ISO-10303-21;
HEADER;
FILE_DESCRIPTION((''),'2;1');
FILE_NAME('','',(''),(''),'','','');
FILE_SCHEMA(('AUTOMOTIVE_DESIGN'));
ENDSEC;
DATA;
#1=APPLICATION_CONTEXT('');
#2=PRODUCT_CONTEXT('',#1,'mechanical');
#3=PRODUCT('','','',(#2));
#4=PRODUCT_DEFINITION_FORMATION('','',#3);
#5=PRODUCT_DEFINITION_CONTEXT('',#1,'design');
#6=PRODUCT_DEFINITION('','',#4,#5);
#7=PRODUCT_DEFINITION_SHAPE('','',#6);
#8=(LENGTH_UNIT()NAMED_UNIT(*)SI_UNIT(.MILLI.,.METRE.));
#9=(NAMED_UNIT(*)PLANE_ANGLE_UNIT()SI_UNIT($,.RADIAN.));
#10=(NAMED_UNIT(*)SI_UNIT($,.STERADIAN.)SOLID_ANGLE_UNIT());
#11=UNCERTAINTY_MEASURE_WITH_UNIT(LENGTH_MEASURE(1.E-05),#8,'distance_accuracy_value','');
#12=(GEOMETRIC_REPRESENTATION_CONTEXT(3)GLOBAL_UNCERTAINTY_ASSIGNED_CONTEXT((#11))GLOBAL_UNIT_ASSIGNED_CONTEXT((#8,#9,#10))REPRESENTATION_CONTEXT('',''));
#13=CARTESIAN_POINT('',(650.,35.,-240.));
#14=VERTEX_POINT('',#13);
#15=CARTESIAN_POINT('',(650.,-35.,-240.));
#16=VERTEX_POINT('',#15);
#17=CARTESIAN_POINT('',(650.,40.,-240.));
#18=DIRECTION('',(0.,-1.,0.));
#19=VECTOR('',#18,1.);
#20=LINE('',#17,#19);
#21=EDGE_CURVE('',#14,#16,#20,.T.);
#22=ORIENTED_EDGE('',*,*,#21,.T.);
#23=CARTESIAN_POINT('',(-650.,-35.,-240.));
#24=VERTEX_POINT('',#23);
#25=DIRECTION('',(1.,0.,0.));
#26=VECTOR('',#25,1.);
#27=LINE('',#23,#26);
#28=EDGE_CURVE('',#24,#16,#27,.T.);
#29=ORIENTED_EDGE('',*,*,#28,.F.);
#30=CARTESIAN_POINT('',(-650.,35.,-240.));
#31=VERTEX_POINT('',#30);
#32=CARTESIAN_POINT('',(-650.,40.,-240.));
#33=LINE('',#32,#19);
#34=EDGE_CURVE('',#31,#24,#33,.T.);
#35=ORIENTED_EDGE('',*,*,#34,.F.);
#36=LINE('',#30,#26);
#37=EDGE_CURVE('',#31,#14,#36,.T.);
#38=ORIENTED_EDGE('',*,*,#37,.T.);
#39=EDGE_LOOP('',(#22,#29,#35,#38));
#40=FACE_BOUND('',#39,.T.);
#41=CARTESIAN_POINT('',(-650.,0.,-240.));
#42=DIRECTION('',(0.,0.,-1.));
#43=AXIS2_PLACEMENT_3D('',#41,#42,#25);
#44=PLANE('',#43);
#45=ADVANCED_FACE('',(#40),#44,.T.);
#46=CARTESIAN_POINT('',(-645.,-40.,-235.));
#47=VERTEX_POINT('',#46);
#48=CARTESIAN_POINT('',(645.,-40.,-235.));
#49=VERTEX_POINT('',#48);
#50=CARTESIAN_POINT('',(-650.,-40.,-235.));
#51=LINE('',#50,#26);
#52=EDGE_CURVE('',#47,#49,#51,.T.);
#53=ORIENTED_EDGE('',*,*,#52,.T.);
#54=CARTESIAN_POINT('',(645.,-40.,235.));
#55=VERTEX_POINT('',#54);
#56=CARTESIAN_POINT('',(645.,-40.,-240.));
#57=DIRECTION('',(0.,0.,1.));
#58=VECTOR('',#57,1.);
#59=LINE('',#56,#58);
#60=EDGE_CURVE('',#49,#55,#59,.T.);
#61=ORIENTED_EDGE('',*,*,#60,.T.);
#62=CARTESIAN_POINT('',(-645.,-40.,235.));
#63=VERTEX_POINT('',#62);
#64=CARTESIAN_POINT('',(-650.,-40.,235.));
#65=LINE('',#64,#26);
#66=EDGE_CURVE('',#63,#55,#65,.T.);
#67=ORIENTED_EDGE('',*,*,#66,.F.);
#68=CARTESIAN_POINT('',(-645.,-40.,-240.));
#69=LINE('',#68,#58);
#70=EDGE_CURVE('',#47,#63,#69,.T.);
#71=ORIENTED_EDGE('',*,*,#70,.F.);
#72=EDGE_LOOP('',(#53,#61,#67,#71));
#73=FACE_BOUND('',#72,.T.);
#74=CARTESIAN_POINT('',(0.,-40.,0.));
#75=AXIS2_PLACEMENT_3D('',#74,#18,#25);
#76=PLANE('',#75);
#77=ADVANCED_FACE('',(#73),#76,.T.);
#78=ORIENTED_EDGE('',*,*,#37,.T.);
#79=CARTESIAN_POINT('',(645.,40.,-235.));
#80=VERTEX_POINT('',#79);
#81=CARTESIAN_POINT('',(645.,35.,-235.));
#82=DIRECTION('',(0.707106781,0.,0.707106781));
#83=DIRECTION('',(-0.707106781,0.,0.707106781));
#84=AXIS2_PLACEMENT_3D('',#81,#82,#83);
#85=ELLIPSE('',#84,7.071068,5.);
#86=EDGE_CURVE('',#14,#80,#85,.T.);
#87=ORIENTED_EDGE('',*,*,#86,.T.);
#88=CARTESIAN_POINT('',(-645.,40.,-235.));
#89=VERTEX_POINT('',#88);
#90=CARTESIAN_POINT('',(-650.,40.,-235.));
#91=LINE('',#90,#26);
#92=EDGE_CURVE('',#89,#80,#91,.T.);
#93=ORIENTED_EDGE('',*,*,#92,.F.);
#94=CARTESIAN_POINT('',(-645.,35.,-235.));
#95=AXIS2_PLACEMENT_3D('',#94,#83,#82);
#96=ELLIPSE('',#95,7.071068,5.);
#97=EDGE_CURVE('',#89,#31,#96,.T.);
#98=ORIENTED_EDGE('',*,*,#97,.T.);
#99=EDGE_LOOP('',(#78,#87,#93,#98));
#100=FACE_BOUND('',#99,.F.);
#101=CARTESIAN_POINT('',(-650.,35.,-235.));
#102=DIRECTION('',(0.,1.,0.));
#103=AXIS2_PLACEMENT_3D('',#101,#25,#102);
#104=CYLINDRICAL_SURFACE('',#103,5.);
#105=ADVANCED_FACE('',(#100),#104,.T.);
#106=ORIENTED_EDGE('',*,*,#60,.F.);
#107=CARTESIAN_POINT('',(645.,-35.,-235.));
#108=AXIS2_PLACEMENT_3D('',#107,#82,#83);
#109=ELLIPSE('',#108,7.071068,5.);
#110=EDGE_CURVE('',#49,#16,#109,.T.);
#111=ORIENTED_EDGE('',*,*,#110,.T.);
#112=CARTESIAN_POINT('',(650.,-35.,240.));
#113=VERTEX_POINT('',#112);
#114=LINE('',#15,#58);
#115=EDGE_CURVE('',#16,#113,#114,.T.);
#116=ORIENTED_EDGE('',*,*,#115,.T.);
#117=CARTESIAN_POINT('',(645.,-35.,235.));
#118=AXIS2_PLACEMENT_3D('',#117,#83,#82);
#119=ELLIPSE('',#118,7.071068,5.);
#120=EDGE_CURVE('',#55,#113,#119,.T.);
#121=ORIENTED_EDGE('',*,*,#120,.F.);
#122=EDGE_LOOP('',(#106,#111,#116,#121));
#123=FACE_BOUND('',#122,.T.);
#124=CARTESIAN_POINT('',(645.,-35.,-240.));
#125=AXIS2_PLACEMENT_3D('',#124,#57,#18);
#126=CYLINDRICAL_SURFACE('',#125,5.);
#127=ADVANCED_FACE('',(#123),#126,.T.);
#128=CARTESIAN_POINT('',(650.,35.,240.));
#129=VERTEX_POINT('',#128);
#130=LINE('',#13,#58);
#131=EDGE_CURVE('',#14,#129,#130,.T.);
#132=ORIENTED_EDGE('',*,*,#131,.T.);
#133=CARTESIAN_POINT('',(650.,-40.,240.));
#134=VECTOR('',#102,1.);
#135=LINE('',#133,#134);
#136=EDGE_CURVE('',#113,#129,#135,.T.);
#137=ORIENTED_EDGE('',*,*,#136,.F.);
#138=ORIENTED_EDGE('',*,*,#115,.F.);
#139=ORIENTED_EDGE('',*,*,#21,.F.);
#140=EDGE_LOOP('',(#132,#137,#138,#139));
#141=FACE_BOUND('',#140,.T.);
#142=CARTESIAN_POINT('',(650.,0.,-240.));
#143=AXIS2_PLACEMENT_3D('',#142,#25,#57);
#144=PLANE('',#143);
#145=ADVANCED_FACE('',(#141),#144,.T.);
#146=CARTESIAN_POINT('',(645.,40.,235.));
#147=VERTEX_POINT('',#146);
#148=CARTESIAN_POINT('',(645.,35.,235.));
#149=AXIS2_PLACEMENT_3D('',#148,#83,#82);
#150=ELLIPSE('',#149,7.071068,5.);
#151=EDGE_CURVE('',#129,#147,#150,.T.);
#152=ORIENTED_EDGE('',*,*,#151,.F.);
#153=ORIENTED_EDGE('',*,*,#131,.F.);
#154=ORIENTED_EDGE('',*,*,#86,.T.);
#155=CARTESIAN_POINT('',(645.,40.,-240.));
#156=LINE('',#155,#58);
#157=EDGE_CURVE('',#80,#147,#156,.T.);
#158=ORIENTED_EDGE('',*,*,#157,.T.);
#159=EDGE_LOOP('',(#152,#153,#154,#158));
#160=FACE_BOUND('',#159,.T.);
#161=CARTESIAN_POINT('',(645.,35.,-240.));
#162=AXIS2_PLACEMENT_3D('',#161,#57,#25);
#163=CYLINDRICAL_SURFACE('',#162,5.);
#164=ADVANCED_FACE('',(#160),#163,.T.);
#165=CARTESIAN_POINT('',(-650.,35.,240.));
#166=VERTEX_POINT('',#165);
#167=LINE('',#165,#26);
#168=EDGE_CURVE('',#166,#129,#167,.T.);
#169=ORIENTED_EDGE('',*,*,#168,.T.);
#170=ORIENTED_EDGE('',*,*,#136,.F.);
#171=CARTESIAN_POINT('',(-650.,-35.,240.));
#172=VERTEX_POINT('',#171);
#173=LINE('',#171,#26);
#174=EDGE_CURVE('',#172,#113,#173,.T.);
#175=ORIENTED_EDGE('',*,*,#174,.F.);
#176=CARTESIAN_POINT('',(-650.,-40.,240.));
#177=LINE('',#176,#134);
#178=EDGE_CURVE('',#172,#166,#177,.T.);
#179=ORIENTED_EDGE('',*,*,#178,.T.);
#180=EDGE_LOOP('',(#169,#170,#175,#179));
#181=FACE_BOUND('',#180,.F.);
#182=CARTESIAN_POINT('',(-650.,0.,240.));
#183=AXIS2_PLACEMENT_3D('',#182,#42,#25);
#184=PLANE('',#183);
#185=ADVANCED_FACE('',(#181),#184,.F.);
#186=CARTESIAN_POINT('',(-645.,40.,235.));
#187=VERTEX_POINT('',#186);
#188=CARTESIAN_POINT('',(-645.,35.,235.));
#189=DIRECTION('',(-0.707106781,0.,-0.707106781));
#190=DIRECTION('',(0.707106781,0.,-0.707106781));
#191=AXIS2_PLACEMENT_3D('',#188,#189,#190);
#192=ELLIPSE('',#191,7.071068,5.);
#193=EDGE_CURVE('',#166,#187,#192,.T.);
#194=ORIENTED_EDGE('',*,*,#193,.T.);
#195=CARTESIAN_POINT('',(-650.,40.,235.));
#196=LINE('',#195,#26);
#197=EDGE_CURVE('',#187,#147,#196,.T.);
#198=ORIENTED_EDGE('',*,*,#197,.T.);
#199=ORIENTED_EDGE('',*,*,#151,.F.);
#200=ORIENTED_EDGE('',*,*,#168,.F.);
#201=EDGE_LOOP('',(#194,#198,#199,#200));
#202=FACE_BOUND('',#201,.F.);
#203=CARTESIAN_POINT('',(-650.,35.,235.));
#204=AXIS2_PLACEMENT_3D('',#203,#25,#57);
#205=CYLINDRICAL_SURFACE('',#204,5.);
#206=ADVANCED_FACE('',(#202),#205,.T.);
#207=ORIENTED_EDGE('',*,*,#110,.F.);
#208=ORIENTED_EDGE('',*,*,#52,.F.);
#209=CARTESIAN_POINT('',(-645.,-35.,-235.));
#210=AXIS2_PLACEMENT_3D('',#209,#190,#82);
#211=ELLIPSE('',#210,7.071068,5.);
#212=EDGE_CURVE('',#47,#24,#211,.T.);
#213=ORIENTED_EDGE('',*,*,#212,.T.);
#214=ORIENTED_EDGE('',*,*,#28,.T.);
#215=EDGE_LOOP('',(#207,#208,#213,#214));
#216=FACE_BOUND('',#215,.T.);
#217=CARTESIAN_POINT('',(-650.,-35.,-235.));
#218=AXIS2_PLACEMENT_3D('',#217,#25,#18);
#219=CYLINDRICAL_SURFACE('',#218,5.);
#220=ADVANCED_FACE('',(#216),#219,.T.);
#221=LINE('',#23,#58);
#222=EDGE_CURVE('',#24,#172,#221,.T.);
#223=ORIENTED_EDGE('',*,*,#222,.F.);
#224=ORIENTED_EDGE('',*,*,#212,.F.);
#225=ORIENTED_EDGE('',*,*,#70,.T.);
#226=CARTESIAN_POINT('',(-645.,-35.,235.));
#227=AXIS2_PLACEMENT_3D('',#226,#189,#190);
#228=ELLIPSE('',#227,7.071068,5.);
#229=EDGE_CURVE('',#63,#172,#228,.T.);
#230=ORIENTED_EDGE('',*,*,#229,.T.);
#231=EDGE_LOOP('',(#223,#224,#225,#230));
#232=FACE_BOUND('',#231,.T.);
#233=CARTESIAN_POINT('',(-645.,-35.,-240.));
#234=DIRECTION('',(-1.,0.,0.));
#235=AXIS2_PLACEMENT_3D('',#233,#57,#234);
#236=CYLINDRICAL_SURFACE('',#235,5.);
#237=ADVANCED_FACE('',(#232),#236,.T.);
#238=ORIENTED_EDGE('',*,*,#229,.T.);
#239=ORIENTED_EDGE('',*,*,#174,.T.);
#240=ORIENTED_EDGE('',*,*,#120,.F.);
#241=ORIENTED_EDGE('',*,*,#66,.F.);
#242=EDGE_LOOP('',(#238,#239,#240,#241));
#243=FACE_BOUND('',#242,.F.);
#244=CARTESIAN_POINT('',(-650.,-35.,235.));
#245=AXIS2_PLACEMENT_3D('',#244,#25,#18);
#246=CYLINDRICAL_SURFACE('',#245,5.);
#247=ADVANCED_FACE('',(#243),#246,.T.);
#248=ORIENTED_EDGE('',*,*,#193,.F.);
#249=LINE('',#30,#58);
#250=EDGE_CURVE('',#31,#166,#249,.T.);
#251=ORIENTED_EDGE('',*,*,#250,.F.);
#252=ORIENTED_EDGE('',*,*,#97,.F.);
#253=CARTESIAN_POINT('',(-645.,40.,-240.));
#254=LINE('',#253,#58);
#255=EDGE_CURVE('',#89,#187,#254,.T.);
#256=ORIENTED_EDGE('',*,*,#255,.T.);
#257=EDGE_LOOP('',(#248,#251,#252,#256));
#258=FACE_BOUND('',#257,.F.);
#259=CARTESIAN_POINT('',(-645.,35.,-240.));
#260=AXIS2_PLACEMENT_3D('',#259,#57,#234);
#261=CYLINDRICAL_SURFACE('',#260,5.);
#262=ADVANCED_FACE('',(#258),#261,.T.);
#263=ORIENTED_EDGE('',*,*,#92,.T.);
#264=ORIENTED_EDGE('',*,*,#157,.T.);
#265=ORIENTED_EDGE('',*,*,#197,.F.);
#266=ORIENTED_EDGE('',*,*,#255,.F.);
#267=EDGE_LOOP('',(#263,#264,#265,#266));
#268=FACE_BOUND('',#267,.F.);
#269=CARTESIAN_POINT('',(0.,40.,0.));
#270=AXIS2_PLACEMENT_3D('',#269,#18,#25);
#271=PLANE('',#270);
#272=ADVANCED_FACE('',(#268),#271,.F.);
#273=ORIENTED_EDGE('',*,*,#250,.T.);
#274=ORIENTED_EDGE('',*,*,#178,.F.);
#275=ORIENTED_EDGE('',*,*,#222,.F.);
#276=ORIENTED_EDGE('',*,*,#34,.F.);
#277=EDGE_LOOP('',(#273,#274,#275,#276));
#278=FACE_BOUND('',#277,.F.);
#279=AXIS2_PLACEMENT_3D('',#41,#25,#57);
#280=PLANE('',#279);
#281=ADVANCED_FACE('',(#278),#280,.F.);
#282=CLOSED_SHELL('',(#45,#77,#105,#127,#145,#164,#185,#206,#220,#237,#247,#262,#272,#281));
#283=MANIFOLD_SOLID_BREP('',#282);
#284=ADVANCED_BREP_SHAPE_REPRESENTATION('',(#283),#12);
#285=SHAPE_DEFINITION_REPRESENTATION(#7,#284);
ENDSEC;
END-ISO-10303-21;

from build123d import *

# Parameters (mm, degrees)
F0_W     = 1300
F0_H     = 480
F1_DEPTH = 40
F2_R     = 5


with BuildPart() as f1:
    # F0 (on Front) → F1 (new body, symmetric)
    with BuildSketch(Plane.XZ):
        Rectangle(F0_W, F0_H)
    extrude(amount=F1_DEPTH, both=True)

    # F2
    f2_edges = [f1.edges().sort_by_distance(p)[0] for p in [
        (0, -40, 240),
        (650, -40, 0),
        (0, -40, -240),
        (-650, -40, 0),
        (0, 40, 240),
        (650, 40, 0),
        (0, 40, -240),
        (-650, 40, 0),
    ]]
    fillet(f2_edges, radius=F2_R)


solid = f1.part
